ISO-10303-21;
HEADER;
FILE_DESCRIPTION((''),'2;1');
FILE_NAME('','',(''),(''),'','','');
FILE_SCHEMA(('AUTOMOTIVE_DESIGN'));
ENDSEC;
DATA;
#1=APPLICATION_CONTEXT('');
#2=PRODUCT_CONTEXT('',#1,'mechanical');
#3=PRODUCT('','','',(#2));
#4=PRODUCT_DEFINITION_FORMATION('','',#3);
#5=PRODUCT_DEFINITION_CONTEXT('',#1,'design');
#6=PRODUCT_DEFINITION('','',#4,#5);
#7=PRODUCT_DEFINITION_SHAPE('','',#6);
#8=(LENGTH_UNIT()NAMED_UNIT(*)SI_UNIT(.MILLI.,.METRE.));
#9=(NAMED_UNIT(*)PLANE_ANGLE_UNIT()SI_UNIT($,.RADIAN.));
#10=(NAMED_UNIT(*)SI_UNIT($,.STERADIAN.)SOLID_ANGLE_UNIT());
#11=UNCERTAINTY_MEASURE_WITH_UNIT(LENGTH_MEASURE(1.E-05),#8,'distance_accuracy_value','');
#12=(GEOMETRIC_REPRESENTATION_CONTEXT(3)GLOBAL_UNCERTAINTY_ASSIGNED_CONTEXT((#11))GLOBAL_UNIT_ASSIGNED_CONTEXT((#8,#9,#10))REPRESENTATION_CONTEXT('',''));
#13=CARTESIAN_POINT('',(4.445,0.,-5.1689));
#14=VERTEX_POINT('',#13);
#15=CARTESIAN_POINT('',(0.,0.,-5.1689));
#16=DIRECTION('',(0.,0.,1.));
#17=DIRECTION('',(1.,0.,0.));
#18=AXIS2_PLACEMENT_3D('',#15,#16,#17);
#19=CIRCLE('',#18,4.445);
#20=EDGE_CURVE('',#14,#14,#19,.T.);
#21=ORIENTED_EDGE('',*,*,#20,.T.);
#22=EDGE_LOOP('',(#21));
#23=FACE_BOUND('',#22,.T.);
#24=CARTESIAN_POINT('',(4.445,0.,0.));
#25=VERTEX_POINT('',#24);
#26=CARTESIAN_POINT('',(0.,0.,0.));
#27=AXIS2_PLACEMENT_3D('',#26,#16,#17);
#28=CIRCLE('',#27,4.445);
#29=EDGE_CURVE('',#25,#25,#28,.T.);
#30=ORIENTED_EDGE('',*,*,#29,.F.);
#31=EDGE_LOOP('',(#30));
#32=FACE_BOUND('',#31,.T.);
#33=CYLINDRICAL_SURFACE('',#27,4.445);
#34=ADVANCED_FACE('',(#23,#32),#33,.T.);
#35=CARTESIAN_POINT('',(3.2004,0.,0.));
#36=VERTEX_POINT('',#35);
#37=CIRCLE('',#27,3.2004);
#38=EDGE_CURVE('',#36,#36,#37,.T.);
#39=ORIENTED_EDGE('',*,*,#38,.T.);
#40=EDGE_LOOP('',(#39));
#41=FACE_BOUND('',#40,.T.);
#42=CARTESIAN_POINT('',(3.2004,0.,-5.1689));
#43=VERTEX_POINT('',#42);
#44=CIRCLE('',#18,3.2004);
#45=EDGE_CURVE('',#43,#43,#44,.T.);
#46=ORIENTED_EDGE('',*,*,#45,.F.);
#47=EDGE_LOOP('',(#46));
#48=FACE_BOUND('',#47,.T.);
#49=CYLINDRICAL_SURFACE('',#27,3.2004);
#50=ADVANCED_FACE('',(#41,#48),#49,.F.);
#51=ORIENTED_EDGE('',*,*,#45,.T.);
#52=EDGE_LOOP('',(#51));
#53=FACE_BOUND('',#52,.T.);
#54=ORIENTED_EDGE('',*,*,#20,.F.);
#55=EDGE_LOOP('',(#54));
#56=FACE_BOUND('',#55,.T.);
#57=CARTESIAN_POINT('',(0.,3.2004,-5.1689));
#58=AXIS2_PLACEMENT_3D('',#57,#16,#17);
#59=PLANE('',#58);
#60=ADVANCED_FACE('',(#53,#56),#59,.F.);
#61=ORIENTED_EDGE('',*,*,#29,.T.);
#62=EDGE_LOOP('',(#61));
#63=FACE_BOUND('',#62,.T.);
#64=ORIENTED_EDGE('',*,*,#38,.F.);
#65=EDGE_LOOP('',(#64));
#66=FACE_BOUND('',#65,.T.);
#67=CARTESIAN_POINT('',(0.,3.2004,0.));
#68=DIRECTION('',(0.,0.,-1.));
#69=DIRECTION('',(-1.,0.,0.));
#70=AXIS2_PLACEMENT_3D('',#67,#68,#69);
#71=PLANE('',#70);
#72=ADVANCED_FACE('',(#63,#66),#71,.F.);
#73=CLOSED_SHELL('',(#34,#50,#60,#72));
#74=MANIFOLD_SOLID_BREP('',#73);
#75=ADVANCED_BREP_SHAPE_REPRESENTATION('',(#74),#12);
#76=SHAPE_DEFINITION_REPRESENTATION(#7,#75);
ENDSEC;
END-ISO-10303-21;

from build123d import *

# Parameters (mm, degrees)
SKETCH1_W = 5.1689
SKETCH1_H = 1.2446


with BuildPart() as part:
    # Sketch1 → Revolve1 (revolve)
    with BuildSketch(Plane(origin=(0, 0, 0), x_dir=(0, 0, -1), z_dir=(1, 0, 0)), mode=Mode.PRIVATE) as revolve1_sk:
        with Locations((2.58445, 3.8227)):
            Rectangle(SKETCH1_W, SKETCH1_H)
    revolve(revolve1_sk.sketch.rotate(Axis((0, 0, 0), (0, 0, -1)), 90), axis=Axis((0, 0, 0), (0, 0, -1)))


solid = part.part
